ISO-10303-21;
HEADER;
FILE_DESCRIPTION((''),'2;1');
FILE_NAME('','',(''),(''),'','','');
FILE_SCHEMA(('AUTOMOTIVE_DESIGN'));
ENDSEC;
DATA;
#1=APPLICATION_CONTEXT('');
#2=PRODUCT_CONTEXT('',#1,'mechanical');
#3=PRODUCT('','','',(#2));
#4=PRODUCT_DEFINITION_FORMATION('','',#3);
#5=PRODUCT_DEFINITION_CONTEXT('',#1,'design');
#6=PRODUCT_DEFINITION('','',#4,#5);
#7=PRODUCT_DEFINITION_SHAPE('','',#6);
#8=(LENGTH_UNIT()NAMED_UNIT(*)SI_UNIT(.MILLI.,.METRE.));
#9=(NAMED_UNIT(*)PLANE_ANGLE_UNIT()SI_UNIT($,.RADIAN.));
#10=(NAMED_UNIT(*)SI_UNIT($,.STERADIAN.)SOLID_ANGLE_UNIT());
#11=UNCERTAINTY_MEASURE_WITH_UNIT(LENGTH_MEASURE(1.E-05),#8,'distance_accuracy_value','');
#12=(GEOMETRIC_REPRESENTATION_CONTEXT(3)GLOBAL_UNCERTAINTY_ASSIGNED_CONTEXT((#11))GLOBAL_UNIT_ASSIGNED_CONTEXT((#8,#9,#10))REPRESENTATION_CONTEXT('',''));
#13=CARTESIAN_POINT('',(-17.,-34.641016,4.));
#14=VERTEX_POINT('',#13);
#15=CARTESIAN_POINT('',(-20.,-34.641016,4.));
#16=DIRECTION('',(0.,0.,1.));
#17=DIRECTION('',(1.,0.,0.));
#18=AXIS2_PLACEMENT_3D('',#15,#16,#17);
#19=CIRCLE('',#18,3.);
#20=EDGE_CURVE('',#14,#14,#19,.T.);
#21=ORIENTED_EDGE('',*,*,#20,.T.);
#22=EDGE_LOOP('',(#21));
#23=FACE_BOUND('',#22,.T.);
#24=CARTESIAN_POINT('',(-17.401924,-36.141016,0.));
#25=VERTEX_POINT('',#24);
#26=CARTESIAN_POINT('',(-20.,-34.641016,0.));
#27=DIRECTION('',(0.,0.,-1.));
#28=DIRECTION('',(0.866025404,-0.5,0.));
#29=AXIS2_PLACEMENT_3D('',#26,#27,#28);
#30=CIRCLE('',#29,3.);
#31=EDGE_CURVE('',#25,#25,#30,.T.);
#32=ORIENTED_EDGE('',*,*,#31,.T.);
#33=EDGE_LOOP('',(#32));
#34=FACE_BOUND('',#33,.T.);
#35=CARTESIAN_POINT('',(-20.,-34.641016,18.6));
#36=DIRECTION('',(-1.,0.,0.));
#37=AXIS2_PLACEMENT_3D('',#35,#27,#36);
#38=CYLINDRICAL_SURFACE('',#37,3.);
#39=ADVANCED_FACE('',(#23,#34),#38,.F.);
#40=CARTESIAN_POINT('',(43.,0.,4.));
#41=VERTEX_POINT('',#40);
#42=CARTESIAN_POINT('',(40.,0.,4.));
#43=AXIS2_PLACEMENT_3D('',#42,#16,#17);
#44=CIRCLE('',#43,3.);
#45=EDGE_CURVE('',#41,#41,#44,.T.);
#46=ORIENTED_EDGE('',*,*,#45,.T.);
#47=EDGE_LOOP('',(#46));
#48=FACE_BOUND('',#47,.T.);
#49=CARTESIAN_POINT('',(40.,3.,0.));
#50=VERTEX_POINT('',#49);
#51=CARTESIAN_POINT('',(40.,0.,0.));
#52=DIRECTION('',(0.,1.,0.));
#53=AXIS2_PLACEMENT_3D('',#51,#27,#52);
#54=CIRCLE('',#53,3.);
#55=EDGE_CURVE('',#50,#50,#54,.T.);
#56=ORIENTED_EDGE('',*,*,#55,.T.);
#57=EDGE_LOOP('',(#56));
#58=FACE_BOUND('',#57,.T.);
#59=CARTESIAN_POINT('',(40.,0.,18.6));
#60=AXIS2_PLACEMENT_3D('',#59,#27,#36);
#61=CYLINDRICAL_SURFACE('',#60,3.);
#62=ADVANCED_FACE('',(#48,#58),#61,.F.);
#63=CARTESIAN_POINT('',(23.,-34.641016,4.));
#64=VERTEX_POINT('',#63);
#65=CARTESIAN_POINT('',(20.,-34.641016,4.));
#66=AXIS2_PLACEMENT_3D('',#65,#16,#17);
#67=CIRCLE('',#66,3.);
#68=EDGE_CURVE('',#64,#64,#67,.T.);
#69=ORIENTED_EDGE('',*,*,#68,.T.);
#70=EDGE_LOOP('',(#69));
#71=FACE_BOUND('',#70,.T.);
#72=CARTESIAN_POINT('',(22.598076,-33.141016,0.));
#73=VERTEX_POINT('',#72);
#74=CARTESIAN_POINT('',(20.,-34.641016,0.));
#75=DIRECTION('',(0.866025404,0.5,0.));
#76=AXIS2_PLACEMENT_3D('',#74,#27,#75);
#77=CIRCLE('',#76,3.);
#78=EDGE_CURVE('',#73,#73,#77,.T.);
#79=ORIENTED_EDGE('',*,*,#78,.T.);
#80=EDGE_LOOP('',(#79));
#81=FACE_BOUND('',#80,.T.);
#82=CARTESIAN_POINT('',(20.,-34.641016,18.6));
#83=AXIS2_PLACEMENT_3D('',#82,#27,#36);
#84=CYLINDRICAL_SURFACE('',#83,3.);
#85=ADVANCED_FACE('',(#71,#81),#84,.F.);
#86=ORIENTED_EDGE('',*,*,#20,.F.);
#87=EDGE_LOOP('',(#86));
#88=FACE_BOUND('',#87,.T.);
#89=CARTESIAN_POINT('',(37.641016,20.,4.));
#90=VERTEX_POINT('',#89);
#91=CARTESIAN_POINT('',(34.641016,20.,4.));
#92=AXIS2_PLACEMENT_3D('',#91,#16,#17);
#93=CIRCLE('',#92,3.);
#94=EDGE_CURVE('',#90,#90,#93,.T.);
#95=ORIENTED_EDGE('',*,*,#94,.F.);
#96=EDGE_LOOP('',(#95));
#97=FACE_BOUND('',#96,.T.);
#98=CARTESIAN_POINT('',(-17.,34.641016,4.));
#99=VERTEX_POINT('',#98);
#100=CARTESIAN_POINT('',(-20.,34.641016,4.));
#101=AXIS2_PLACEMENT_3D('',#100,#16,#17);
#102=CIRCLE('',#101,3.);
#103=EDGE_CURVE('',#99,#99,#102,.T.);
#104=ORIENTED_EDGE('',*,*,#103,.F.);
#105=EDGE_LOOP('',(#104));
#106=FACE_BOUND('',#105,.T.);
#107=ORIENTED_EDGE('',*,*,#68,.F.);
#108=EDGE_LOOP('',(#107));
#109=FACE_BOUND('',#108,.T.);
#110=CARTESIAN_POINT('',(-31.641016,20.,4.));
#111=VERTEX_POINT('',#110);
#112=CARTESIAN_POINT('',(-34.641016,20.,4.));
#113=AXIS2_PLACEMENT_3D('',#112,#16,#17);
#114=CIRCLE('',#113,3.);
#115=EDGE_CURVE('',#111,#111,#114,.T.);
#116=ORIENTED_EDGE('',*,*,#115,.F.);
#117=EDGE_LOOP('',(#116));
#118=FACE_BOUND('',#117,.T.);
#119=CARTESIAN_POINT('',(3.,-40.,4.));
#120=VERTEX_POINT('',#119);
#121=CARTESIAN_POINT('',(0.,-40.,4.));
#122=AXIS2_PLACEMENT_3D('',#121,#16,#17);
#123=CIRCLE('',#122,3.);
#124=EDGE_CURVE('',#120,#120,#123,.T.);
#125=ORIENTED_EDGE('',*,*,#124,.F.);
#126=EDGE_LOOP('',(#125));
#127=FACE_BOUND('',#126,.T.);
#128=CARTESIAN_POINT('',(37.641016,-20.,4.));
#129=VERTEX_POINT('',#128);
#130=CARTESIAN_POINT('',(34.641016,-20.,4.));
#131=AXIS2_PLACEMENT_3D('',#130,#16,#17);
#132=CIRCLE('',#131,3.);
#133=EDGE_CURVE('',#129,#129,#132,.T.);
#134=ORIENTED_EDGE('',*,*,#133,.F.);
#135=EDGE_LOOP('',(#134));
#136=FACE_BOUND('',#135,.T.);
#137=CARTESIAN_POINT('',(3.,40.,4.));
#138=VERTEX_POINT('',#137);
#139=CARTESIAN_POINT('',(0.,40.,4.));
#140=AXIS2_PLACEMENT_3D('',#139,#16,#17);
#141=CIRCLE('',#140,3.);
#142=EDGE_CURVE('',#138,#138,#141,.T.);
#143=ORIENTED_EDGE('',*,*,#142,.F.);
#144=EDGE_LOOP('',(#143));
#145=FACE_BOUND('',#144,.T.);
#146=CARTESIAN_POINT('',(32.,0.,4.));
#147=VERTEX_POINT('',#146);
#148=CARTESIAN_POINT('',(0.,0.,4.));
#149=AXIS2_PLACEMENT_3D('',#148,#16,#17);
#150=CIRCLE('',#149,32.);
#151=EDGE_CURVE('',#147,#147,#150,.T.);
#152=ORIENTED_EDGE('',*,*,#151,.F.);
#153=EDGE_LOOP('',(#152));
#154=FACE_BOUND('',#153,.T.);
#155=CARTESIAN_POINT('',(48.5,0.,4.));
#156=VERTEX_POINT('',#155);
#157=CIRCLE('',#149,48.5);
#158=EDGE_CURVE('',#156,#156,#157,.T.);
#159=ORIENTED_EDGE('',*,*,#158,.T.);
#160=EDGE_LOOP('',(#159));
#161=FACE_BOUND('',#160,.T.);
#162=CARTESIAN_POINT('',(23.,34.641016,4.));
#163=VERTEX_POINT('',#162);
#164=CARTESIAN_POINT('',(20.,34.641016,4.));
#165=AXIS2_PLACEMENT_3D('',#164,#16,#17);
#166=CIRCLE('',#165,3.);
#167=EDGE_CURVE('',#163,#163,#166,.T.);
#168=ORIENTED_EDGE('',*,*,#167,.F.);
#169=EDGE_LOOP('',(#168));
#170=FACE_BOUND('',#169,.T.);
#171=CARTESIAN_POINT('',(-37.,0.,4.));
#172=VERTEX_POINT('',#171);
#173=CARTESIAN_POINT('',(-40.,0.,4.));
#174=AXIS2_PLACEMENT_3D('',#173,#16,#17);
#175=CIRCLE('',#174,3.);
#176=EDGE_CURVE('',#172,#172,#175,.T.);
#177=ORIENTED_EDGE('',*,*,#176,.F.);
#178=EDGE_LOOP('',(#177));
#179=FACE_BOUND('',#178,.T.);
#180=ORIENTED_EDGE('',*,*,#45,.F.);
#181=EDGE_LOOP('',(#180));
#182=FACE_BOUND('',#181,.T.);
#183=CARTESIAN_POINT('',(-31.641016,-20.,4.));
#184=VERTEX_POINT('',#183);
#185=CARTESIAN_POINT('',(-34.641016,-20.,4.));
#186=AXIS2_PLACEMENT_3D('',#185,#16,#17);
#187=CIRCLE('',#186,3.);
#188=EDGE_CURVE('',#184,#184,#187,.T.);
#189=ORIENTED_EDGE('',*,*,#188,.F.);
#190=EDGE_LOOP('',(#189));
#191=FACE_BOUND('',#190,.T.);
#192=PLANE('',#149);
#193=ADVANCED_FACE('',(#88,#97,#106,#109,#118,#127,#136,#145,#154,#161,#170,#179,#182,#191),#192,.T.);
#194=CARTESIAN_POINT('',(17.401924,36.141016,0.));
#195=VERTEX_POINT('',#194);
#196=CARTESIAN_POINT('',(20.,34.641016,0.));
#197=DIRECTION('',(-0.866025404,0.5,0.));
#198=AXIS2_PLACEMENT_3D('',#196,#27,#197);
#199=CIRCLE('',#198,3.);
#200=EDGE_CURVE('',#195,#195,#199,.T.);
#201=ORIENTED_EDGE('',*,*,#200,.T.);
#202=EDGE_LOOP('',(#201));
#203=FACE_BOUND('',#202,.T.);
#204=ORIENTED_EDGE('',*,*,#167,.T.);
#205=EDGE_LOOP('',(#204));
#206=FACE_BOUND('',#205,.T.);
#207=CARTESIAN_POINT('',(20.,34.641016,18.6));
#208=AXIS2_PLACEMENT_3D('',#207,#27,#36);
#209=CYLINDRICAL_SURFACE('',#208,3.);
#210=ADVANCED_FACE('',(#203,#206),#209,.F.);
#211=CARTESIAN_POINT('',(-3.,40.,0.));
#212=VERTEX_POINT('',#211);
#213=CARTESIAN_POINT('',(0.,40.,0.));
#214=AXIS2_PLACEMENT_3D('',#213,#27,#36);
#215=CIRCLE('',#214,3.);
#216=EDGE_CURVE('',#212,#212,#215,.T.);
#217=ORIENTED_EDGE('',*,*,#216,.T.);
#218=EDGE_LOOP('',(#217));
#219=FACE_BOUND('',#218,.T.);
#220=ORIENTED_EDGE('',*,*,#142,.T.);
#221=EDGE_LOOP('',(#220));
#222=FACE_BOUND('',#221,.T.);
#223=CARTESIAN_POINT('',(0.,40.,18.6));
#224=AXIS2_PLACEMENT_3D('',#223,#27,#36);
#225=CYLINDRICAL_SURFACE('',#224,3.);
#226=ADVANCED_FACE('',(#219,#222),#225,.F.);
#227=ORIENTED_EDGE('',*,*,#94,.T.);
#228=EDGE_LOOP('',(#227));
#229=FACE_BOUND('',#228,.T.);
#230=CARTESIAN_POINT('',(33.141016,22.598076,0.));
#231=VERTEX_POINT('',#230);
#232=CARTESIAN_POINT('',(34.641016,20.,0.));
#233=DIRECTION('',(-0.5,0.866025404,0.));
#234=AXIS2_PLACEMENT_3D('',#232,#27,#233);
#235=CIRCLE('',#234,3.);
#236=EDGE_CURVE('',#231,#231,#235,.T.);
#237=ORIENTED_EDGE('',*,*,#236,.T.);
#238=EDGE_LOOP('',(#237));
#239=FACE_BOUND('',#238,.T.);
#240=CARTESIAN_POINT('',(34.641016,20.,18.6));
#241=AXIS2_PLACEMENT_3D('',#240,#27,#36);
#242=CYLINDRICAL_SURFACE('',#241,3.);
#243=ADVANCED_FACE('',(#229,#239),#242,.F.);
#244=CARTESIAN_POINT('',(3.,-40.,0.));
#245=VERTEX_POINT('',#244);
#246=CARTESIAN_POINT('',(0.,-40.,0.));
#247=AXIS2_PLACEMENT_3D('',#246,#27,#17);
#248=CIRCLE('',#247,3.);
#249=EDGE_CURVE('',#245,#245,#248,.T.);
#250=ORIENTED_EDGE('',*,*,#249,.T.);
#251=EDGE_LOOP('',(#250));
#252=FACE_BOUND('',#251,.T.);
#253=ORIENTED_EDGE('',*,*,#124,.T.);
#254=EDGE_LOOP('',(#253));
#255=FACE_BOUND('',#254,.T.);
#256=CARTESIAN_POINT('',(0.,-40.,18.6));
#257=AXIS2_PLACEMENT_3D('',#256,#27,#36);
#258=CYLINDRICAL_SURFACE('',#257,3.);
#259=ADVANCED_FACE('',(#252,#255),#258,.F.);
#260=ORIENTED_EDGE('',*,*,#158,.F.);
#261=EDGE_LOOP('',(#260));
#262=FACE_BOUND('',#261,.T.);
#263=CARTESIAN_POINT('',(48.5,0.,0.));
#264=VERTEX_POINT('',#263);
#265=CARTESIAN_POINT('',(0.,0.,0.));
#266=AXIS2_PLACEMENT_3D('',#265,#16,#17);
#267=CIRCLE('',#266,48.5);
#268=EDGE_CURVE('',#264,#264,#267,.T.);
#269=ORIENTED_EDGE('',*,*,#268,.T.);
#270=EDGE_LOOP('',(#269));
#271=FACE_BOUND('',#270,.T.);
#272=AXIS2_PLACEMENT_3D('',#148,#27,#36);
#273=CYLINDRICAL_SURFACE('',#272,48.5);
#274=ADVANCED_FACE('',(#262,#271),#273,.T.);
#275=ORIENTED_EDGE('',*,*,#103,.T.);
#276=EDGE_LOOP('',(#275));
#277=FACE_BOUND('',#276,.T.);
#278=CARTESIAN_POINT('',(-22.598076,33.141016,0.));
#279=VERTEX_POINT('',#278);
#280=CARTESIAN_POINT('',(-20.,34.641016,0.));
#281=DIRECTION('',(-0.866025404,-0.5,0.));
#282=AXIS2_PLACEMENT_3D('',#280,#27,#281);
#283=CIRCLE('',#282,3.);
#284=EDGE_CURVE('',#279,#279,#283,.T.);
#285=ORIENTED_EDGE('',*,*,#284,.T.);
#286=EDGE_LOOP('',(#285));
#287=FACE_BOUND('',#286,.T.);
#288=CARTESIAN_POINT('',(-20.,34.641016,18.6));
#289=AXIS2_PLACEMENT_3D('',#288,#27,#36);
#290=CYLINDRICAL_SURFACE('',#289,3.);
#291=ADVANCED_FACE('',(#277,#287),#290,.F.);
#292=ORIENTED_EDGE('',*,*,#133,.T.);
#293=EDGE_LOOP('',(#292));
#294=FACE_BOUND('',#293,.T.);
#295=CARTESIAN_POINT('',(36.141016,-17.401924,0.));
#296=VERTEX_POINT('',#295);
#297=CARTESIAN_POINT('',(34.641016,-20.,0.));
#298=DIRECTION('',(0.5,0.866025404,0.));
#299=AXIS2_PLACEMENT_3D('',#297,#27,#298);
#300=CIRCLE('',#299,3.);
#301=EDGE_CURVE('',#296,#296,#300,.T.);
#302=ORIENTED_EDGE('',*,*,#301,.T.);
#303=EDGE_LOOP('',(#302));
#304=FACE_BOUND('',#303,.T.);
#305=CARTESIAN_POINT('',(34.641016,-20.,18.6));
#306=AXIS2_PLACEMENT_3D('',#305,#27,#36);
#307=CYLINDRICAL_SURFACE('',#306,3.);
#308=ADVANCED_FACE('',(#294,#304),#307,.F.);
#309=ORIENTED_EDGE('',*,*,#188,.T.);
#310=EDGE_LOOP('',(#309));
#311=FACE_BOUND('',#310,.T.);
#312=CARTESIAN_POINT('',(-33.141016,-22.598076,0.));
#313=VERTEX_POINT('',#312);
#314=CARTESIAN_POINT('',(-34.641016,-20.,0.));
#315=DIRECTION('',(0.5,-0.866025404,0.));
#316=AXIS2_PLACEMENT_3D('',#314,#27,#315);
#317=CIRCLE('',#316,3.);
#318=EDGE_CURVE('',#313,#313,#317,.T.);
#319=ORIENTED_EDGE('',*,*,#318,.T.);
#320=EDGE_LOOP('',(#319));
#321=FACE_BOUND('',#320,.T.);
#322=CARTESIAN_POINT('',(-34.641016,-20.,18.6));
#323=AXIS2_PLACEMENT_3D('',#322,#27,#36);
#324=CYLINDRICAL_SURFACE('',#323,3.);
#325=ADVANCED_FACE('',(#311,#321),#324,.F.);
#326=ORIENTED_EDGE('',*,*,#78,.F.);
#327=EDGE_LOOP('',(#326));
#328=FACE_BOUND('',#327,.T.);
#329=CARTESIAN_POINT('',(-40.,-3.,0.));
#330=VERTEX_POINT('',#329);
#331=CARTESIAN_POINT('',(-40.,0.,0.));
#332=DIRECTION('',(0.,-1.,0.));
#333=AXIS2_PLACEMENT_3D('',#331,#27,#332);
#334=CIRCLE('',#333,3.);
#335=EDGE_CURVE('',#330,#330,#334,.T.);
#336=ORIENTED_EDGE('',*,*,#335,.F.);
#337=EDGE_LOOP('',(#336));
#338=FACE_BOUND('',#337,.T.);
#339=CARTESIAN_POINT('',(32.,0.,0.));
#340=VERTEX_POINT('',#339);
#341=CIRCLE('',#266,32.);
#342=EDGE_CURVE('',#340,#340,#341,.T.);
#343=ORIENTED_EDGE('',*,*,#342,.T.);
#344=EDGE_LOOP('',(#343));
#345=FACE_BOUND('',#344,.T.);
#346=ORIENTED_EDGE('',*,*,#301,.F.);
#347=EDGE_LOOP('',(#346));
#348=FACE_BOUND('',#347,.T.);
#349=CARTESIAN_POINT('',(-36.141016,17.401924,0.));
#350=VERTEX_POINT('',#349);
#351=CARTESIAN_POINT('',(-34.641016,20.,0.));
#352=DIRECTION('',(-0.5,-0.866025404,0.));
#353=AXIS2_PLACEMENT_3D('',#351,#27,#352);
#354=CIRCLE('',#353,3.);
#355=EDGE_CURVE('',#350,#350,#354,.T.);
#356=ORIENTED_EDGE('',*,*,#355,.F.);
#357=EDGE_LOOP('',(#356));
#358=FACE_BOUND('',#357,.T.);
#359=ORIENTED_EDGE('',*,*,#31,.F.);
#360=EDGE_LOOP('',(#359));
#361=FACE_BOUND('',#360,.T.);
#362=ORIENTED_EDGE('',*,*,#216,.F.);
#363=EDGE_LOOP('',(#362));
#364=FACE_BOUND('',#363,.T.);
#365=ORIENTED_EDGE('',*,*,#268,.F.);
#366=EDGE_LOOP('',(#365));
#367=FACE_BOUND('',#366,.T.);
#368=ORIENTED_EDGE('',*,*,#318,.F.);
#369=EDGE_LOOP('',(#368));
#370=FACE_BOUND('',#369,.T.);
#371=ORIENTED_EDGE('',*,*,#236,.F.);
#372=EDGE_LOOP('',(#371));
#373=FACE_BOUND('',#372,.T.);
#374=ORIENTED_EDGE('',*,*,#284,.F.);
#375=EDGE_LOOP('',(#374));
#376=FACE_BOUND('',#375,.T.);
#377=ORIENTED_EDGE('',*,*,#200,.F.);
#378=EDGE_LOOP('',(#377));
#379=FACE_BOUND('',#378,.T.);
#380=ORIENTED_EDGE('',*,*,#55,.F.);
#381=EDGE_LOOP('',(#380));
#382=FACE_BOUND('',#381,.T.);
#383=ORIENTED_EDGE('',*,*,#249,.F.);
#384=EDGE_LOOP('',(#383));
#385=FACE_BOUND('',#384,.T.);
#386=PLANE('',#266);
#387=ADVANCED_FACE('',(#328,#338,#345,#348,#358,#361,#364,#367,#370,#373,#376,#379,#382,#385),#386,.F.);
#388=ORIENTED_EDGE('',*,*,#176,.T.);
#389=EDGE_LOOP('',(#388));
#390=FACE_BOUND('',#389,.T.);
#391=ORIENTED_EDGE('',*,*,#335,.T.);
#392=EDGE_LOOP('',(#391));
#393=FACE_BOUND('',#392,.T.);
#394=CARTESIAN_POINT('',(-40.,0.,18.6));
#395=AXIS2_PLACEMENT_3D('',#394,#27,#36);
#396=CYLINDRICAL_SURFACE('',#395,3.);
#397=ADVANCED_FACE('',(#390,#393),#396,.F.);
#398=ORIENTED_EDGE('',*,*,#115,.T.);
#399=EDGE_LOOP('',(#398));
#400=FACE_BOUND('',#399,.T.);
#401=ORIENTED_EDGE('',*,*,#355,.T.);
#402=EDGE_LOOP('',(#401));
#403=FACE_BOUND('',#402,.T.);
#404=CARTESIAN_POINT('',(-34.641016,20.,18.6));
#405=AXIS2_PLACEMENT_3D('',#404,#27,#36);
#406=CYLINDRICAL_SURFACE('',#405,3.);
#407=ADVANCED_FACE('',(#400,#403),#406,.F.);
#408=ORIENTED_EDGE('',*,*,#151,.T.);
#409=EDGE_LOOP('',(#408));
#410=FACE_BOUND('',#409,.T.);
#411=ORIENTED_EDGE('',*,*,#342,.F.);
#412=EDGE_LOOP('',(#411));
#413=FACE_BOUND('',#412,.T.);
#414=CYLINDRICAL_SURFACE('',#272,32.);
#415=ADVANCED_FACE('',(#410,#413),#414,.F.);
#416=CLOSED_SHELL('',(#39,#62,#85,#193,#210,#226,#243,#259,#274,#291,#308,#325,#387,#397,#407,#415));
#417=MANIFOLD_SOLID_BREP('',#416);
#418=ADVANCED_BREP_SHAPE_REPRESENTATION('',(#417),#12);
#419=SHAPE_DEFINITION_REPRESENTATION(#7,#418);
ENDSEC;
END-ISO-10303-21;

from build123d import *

# Parameters (mm, degrees)
SKETCH_1_R               = 48.5
SKETCH_1_R_2             = 32
EXTRUDE_1_DEPTH          = 4
SKETCH_2_R               = 3
CUT_EXTRUDE_1_DEPTH      = 18.6
PATTERN_CIRCULAR_1_COUNT = 12


with BuildPart() as part:
    # Эскиз1 → Бобышка-Вытянуть1 (new body)
    with BuildSketch(Plane.XY):
        Circle(SKETCH_1_R)
        Circle(SKETCH_1_R_2, mode=Mode.SUBTRACT)
    extrude(amount=EXTRUDE_1_DEPTH)

    # Эскиз2 → Вырез-Вытянуть1 (cut)
    with BuildSketch(Plane(origin=(0, 0, 0), x_dir=(-1, 0, 0), z_dir=(0, 0, -1))):
        with Locations((0, 40)):
            Circle(SKETCH_2_R)
    cut_extrude_1 = extrude(amount=-CUT_EXTRUDE_1_DEPTH, mode=Mode.SUBTRACT)

    # Круговой массив1: Вырез-Вытянуть1 ×12 about axis
    pattern_circular_1_axis = Axis((0, 0, 0), (0, 0, 1))
    for i in range(1, PATTERN_CIRCULAR_1_COUNT):
        add(cut_extrude_1.rotate(pattern_circular_1_axis, i * 360 / PATTERN_CIRCULAR_1_COUNT), mode=Mode.SUBTRACT)


solid = part.part
